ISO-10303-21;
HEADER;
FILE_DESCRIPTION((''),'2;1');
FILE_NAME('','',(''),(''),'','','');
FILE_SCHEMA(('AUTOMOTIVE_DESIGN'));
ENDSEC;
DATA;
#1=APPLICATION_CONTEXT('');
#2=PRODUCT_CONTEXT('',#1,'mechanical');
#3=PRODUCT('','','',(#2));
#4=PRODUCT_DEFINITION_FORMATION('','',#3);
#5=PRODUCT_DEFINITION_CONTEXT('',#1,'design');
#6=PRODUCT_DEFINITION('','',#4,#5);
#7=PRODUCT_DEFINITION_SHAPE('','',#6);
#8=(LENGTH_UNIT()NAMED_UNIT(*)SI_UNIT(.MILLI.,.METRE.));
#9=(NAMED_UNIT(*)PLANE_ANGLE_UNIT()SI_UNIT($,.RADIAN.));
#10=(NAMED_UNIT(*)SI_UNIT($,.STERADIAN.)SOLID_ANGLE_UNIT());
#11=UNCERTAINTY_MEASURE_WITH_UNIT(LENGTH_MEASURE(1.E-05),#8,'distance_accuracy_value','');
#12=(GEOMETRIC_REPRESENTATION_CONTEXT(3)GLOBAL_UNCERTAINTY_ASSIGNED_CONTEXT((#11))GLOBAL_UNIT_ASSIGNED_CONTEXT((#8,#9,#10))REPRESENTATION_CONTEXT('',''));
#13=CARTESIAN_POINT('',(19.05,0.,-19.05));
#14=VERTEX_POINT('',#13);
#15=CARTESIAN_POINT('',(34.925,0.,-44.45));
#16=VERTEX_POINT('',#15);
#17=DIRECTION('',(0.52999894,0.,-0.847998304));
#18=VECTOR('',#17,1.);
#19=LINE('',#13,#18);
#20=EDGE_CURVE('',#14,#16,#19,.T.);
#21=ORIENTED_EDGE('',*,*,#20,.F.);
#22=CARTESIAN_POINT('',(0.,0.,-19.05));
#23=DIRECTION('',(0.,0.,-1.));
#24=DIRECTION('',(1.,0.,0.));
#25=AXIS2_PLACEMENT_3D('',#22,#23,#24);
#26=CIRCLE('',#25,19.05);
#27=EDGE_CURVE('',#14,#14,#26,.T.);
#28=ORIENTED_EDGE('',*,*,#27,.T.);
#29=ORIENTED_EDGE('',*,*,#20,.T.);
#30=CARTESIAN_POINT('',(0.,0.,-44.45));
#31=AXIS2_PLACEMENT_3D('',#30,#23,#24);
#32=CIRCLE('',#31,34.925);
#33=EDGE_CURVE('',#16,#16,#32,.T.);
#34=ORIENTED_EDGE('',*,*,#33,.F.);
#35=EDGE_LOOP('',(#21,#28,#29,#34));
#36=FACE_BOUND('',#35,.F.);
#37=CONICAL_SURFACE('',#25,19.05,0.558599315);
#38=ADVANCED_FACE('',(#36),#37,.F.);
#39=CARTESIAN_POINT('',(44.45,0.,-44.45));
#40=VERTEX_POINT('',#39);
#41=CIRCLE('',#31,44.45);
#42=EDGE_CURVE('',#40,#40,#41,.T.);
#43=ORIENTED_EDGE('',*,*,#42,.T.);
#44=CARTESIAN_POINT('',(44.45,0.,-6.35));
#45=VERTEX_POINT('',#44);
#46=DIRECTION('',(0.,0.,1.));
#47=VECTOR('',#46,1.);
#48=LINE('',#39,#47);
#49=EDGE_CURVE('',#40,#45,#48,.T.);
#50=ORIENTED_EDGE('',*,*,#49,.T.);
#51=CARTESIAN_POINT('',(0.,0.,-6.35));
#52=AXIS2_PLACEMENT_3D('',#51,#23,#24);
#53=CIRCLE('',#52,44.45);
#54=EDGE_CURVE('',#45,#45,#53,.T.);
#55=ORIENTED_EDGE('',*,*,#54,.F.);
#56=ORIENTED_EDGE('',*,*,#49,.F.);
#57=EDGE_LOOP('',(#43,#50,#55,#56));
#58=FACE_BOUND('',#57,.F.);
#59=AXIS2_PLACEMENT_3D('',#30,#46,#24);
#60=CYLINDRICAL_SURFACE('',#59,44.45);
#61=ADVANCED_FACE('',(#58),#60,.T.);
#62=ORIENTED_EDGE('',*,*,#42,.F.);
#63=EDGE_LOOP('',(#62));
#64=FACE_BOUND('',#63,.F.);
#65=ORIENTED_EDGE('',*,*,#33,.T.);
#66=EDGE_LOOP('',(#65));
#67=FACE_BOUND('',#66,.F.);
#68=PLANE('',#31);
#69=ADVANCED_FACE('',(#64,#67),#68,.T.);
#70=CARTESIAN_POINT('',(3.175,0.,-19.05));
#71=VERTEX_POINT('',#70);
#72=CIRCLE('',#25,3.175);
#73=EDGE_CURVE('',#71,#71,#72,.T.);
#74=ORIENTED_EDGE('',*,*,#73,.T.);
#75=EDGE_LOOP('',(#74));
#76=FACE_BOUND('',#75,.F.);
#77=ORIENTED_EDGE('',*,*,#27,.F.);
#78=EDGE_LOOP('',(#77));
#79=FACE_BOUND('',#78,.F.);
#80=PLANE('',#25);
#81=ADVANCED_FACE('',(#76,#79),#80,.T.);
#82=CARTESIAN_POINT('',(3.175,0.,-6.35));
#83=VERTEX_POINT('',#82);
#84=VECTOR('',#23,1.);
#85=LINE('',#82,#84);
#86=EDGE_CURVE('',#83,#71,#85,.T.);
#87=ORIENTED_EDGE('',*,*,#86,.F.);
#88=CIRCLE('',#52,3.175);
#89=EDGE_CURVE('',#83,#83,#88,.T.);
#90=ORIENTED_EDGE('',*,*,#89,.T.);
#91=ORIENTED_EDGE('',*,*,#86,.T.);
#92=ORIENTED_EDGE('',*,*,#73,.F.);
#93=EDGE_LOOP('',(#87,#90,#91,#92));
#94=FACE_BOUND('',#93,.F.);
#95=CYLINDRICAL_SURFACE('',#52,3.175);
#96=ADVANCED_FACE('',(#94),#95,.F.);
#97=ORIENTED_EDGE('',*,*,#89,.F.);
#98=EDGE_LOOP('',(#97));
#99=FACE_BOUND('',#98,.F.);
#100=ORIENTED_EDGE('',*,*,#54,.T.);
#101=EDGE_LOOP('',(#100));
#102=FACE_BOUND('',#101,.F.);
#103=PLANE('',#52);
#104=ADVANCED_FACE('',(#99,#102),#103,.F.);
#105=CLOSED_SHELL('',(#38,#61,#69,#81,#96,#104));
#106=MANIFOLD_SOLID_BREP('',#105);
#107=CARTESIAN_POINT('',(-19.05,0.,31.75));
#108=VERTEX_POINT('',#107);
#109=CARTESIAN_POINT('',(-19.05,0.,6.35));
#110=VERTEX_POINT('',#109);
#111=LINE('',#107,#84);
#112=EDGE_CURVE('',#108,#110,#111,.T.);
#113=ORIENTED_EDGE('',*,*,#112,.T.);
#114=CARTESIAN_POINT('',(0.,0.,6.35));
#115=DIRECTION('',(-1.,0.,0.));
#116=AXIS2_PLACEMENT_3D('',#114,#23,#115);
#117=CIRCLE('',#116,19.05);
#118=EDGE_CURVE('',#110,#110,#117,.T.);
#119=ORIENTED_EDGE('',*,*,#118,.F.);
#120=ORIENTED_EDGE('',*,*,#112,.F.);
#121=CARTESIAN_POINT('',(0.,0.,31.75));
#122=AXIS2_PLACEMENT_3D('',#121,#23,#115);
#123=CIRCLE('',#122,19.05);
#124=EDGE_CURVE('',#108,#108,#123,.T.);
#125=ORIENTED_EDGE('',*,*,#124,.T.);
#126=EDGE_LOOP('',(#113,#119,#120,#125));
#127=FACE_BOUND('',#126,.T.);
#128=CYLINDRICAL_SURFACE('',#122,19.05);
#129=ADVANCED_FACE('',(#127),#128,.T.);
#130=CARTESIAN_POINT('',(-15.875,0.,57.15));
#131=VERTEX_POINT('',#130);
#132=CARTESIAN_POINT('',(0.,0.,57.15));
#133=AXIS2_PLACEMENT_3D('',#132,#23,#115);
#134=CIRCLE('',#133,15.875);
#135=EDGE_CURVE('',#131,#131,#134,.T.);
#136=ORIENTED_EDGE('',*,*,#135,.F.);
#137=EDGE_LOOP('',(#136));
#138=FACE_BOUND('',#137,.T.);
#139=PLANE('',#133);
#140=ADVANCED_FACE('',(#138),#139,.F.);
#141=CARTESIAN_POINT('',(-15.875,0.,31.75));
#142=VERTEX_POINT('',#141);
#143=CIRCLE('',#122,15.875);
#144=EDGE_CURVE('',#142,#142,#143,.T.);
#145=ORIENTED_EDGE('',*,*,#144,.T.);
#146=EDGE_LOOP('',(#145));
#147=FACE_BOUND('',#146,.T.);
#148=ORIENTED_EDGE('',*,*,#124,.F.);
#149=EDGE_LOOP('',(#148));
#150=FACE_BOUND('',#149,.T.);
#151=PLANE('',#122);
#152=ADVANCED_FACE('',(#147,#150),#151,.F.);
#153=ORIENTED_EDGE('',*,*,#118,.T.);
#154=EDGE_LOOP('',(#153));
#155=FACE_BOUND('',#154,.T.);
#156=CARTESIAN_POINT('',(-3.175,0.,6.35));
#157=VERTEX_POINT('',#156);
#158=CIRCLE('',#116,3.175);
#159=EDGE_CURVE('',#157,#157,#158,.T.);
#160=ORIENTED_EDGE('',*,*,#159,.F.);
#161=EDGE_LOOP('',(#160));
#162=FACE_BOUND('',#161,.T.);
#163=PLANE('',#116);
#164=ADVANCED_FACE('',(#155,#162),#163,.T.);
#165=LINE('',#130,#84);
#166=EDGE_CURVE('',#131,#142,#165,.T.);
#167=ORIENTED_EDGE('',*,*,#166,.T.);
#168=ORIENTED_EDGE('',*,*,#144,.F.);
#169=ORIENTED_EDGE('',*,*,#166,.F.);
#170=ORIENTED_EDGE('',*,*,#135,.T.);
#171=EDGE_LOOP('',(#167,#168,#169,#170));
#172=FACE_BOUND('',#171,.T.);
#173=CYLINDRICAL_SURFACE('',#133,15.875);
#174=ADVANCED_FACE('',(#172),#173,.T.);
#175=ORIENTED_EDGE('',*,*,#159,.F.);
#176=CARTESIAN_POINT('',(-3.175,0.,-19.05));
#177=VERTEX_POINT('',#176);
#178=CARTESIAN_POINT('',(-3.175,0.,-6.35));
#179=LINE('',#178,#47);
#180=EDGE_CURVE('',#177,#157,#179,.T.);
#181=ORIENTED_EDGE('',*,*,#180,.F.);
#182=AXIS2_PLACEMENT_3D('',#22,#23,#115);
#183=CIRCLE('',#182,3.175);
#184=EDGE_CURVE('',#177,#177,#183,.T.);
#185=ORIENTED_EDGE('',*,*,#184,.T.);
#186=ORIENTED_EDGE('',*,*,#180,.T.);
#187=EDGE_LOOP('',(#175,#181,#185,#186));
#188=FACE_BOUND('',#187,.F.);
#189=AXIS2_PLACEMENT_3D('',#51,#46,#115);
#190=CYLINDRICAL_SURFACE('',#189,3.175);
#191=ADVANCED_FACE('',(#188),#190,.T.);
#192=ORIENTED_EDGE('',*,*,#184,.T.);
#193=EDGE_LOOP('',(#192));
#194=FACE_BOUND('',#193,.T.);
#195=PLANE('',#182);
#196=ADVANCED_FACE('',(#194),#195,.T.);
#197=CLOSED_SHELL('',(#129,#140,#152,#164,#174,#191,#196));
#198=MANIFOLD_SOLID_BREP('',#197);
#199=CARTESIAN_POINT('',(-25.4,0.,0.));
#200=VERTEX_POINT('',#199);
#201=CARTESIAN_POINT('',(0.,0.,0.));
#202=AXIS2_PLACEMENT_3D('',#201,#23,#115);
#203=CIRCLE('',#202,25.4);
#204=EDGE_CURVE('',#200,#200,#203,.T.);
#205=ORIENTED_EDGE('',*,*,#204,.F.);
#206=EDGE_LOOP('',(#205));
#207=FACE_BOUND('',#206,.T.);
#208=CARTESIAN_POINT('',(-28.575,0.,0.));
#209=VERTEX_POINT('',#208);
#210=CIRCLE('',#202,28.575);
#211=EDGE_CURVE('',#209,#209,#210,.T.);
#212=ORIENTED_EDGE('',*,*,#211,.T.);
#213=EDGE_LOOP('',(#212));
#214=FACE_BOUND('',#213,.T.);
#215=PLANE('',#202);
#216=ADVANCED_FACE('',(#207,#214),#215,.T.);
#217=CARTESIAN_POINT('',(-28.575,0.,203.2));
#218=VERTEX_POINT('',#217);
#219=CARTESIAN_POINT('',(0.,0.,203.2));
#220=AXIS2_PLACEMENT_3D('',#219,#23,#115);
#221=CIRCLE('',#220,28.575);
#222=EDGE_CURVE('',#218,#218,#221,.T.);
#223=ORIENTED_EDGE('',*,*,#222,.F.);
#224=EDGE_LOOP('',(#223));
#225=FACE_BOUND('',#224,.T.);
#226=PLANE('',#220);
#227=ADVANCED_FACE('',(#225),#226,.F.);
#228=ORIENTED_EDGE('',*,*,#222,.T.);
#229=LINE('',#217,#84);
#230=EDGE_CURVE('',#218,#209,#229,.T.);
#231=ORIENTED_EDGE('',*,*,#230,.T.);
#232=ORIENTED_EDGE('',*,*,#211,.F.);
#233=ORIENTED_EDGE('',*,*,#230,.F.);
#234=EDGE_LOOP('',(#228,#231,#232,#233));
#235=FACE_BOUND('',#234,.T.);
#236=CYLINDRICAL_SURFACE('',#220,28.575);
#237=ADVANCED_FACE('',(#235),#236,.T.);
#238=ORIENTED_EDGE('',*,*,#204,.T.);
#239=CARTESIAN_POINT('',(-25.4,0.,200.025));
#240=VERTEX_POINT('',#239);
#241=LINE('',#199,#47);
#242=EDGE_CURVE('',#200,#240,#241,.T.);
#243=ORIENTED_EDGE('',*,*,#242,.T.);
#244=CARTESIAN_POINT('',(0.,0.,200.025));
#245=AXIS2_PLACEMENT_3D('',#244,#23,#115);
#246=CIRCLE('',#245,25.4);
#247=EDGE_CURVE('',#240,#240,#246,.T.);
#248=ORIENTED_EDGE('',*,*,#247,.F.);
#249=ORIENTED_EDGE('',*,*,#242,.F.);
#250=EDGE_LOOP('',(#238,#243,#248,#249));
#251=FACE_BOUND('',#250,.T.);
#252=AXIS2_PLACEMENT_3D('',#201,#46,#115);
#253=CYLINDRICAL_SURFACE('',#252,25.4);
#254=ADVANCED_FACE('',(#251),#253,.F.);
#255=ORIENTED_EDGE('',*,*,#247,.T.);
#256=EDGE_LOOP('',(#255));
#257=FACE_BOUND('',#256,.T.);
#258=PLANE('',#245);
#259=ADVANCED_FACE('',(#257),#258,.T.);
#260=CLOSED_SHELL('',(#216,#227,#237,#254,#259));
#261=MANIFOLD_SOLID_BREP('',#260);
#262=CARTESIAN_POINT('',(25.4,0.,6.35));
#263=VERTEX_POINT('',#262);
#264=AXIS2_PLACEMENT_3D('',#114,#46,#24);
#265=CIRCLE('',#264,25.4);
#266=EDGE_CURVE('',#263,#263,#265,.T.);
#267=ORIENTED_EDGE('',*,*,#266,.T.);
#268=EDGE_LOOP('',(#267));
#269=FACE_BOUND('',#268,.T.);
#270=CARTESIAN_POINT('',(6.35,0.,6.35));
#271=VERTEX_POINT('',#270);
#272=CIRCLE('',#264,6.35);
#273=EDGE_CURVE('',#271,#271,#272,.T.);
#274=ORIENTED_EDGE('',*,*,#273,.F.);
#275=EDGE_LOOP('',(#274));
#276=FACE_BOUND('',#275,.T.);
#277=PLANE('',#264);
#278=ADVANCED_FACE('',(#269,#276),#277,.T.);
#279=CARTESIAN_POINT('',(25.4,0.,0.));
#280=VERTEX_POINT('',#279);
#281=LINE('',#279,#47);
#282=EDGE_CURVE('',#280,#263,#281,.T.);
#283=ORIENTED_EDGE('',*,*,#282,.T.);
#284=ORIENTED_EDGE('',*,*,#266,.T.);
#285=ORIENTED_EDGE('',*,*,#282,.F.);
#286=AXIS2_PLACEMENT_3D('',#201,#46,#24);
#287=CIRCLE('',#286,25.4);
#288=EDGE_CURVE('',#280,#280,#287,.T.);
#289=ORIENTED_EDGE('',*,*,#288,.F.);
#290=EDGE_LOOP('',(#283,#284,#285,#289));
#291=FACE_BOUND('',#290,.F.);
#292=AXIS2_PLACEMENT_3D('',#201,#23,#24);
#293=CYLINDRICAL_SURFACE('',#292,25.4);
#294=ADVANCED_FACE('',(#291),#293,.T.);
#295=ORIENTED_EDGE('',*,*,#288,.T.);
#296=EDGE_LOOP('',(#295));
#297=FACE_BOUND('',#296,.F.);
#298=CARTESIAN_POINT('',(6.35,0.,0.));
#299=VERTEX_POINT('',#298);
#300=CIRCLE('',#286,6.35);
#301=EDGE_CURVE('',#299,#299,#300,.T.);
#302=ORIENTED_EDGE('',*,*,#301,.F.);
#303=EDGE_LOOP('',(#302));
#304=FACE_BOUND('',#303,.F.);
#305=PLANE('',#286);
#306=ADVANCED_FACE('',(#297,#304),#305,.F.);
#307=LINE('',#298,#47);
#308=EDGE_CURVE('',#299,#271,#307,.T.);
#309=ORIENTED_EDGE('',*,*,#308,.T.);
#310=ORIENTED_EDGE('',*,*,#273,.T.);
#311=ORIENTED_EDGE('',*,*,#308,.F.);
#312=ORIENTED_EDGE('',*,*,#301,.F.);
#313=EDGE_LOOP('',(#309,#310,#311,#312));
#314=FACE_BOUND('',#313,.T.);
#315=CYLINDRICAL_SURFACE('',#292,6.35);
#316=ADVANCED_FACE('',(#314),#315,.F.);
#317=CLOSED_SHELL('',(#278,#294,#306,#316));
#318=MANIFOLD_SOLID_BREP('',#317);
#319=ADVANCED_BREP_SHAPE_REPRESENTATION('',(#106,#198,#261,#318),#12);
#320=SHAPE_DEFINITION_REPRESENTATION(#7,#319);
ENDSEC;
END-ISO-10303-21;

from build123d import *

# Parameters (mm, degrees)
F2_R     = 25.4
F2_R_2   = 6.35
F3_DEPTH = 6.35
F4_W     = 3.175
F4_H     = 25.4


with BuildPart() as f1:
    # F0 (on Front) → F1 (revolve)
    with BuildSketch(Plane.XZ):
        Polygon((-28.575, 0), (-25.4, 0), (-25.4, 200.025), (0, 200.025), (0, 203.2), (-28.575, 203.2), align=None)
    revolve(axis=Axis((0, 0, 100.0125), (0, 0, -1)))


with BuildPart() as f3:
    # F2 (on Top) → F3 (new body)
    with BuildSketch(Plane.XY):
        Circle(F2_R)
        Circle(F2_R_2, mode=Mode.SUBTRACT)
    extrude(amount=F3_DEPTH)


with BuildPart() as f5:
    # F4 (on Front) → F5 (revolve)
    with BuildSketch(Plane.XZ):
        Polygon((-3.175, 6.35), (0, 6.35), (0, 57.15), (-15.875, 57.15), (-15.875, 31.75), (-19.05, 31.75), (-19.05, 6.35), align=None)
        with Locations((-1.5875, -6.35)):
            Rectangle(F4_W, F4_H)
    revolve(axis=Axis((0, 0, 31.75), (0, 0, -1)))


with BuildPart() as f7:
    # F6 (on Front) → F7 (revolve)
    with BuildSketch(Plane.XZ):
        Polygon((44.45, -6.35), (3.175, -6.35), (3.175, -19.05), (19.05, -19.05), (34.925, -44.45), (44.45, -44.45), align=None)
    revolve(axis=Axis((0, 0, -31.75), (0, 0, -1)))


solid = Compound([f1.part, f3.part, f5.part, f7.part])
